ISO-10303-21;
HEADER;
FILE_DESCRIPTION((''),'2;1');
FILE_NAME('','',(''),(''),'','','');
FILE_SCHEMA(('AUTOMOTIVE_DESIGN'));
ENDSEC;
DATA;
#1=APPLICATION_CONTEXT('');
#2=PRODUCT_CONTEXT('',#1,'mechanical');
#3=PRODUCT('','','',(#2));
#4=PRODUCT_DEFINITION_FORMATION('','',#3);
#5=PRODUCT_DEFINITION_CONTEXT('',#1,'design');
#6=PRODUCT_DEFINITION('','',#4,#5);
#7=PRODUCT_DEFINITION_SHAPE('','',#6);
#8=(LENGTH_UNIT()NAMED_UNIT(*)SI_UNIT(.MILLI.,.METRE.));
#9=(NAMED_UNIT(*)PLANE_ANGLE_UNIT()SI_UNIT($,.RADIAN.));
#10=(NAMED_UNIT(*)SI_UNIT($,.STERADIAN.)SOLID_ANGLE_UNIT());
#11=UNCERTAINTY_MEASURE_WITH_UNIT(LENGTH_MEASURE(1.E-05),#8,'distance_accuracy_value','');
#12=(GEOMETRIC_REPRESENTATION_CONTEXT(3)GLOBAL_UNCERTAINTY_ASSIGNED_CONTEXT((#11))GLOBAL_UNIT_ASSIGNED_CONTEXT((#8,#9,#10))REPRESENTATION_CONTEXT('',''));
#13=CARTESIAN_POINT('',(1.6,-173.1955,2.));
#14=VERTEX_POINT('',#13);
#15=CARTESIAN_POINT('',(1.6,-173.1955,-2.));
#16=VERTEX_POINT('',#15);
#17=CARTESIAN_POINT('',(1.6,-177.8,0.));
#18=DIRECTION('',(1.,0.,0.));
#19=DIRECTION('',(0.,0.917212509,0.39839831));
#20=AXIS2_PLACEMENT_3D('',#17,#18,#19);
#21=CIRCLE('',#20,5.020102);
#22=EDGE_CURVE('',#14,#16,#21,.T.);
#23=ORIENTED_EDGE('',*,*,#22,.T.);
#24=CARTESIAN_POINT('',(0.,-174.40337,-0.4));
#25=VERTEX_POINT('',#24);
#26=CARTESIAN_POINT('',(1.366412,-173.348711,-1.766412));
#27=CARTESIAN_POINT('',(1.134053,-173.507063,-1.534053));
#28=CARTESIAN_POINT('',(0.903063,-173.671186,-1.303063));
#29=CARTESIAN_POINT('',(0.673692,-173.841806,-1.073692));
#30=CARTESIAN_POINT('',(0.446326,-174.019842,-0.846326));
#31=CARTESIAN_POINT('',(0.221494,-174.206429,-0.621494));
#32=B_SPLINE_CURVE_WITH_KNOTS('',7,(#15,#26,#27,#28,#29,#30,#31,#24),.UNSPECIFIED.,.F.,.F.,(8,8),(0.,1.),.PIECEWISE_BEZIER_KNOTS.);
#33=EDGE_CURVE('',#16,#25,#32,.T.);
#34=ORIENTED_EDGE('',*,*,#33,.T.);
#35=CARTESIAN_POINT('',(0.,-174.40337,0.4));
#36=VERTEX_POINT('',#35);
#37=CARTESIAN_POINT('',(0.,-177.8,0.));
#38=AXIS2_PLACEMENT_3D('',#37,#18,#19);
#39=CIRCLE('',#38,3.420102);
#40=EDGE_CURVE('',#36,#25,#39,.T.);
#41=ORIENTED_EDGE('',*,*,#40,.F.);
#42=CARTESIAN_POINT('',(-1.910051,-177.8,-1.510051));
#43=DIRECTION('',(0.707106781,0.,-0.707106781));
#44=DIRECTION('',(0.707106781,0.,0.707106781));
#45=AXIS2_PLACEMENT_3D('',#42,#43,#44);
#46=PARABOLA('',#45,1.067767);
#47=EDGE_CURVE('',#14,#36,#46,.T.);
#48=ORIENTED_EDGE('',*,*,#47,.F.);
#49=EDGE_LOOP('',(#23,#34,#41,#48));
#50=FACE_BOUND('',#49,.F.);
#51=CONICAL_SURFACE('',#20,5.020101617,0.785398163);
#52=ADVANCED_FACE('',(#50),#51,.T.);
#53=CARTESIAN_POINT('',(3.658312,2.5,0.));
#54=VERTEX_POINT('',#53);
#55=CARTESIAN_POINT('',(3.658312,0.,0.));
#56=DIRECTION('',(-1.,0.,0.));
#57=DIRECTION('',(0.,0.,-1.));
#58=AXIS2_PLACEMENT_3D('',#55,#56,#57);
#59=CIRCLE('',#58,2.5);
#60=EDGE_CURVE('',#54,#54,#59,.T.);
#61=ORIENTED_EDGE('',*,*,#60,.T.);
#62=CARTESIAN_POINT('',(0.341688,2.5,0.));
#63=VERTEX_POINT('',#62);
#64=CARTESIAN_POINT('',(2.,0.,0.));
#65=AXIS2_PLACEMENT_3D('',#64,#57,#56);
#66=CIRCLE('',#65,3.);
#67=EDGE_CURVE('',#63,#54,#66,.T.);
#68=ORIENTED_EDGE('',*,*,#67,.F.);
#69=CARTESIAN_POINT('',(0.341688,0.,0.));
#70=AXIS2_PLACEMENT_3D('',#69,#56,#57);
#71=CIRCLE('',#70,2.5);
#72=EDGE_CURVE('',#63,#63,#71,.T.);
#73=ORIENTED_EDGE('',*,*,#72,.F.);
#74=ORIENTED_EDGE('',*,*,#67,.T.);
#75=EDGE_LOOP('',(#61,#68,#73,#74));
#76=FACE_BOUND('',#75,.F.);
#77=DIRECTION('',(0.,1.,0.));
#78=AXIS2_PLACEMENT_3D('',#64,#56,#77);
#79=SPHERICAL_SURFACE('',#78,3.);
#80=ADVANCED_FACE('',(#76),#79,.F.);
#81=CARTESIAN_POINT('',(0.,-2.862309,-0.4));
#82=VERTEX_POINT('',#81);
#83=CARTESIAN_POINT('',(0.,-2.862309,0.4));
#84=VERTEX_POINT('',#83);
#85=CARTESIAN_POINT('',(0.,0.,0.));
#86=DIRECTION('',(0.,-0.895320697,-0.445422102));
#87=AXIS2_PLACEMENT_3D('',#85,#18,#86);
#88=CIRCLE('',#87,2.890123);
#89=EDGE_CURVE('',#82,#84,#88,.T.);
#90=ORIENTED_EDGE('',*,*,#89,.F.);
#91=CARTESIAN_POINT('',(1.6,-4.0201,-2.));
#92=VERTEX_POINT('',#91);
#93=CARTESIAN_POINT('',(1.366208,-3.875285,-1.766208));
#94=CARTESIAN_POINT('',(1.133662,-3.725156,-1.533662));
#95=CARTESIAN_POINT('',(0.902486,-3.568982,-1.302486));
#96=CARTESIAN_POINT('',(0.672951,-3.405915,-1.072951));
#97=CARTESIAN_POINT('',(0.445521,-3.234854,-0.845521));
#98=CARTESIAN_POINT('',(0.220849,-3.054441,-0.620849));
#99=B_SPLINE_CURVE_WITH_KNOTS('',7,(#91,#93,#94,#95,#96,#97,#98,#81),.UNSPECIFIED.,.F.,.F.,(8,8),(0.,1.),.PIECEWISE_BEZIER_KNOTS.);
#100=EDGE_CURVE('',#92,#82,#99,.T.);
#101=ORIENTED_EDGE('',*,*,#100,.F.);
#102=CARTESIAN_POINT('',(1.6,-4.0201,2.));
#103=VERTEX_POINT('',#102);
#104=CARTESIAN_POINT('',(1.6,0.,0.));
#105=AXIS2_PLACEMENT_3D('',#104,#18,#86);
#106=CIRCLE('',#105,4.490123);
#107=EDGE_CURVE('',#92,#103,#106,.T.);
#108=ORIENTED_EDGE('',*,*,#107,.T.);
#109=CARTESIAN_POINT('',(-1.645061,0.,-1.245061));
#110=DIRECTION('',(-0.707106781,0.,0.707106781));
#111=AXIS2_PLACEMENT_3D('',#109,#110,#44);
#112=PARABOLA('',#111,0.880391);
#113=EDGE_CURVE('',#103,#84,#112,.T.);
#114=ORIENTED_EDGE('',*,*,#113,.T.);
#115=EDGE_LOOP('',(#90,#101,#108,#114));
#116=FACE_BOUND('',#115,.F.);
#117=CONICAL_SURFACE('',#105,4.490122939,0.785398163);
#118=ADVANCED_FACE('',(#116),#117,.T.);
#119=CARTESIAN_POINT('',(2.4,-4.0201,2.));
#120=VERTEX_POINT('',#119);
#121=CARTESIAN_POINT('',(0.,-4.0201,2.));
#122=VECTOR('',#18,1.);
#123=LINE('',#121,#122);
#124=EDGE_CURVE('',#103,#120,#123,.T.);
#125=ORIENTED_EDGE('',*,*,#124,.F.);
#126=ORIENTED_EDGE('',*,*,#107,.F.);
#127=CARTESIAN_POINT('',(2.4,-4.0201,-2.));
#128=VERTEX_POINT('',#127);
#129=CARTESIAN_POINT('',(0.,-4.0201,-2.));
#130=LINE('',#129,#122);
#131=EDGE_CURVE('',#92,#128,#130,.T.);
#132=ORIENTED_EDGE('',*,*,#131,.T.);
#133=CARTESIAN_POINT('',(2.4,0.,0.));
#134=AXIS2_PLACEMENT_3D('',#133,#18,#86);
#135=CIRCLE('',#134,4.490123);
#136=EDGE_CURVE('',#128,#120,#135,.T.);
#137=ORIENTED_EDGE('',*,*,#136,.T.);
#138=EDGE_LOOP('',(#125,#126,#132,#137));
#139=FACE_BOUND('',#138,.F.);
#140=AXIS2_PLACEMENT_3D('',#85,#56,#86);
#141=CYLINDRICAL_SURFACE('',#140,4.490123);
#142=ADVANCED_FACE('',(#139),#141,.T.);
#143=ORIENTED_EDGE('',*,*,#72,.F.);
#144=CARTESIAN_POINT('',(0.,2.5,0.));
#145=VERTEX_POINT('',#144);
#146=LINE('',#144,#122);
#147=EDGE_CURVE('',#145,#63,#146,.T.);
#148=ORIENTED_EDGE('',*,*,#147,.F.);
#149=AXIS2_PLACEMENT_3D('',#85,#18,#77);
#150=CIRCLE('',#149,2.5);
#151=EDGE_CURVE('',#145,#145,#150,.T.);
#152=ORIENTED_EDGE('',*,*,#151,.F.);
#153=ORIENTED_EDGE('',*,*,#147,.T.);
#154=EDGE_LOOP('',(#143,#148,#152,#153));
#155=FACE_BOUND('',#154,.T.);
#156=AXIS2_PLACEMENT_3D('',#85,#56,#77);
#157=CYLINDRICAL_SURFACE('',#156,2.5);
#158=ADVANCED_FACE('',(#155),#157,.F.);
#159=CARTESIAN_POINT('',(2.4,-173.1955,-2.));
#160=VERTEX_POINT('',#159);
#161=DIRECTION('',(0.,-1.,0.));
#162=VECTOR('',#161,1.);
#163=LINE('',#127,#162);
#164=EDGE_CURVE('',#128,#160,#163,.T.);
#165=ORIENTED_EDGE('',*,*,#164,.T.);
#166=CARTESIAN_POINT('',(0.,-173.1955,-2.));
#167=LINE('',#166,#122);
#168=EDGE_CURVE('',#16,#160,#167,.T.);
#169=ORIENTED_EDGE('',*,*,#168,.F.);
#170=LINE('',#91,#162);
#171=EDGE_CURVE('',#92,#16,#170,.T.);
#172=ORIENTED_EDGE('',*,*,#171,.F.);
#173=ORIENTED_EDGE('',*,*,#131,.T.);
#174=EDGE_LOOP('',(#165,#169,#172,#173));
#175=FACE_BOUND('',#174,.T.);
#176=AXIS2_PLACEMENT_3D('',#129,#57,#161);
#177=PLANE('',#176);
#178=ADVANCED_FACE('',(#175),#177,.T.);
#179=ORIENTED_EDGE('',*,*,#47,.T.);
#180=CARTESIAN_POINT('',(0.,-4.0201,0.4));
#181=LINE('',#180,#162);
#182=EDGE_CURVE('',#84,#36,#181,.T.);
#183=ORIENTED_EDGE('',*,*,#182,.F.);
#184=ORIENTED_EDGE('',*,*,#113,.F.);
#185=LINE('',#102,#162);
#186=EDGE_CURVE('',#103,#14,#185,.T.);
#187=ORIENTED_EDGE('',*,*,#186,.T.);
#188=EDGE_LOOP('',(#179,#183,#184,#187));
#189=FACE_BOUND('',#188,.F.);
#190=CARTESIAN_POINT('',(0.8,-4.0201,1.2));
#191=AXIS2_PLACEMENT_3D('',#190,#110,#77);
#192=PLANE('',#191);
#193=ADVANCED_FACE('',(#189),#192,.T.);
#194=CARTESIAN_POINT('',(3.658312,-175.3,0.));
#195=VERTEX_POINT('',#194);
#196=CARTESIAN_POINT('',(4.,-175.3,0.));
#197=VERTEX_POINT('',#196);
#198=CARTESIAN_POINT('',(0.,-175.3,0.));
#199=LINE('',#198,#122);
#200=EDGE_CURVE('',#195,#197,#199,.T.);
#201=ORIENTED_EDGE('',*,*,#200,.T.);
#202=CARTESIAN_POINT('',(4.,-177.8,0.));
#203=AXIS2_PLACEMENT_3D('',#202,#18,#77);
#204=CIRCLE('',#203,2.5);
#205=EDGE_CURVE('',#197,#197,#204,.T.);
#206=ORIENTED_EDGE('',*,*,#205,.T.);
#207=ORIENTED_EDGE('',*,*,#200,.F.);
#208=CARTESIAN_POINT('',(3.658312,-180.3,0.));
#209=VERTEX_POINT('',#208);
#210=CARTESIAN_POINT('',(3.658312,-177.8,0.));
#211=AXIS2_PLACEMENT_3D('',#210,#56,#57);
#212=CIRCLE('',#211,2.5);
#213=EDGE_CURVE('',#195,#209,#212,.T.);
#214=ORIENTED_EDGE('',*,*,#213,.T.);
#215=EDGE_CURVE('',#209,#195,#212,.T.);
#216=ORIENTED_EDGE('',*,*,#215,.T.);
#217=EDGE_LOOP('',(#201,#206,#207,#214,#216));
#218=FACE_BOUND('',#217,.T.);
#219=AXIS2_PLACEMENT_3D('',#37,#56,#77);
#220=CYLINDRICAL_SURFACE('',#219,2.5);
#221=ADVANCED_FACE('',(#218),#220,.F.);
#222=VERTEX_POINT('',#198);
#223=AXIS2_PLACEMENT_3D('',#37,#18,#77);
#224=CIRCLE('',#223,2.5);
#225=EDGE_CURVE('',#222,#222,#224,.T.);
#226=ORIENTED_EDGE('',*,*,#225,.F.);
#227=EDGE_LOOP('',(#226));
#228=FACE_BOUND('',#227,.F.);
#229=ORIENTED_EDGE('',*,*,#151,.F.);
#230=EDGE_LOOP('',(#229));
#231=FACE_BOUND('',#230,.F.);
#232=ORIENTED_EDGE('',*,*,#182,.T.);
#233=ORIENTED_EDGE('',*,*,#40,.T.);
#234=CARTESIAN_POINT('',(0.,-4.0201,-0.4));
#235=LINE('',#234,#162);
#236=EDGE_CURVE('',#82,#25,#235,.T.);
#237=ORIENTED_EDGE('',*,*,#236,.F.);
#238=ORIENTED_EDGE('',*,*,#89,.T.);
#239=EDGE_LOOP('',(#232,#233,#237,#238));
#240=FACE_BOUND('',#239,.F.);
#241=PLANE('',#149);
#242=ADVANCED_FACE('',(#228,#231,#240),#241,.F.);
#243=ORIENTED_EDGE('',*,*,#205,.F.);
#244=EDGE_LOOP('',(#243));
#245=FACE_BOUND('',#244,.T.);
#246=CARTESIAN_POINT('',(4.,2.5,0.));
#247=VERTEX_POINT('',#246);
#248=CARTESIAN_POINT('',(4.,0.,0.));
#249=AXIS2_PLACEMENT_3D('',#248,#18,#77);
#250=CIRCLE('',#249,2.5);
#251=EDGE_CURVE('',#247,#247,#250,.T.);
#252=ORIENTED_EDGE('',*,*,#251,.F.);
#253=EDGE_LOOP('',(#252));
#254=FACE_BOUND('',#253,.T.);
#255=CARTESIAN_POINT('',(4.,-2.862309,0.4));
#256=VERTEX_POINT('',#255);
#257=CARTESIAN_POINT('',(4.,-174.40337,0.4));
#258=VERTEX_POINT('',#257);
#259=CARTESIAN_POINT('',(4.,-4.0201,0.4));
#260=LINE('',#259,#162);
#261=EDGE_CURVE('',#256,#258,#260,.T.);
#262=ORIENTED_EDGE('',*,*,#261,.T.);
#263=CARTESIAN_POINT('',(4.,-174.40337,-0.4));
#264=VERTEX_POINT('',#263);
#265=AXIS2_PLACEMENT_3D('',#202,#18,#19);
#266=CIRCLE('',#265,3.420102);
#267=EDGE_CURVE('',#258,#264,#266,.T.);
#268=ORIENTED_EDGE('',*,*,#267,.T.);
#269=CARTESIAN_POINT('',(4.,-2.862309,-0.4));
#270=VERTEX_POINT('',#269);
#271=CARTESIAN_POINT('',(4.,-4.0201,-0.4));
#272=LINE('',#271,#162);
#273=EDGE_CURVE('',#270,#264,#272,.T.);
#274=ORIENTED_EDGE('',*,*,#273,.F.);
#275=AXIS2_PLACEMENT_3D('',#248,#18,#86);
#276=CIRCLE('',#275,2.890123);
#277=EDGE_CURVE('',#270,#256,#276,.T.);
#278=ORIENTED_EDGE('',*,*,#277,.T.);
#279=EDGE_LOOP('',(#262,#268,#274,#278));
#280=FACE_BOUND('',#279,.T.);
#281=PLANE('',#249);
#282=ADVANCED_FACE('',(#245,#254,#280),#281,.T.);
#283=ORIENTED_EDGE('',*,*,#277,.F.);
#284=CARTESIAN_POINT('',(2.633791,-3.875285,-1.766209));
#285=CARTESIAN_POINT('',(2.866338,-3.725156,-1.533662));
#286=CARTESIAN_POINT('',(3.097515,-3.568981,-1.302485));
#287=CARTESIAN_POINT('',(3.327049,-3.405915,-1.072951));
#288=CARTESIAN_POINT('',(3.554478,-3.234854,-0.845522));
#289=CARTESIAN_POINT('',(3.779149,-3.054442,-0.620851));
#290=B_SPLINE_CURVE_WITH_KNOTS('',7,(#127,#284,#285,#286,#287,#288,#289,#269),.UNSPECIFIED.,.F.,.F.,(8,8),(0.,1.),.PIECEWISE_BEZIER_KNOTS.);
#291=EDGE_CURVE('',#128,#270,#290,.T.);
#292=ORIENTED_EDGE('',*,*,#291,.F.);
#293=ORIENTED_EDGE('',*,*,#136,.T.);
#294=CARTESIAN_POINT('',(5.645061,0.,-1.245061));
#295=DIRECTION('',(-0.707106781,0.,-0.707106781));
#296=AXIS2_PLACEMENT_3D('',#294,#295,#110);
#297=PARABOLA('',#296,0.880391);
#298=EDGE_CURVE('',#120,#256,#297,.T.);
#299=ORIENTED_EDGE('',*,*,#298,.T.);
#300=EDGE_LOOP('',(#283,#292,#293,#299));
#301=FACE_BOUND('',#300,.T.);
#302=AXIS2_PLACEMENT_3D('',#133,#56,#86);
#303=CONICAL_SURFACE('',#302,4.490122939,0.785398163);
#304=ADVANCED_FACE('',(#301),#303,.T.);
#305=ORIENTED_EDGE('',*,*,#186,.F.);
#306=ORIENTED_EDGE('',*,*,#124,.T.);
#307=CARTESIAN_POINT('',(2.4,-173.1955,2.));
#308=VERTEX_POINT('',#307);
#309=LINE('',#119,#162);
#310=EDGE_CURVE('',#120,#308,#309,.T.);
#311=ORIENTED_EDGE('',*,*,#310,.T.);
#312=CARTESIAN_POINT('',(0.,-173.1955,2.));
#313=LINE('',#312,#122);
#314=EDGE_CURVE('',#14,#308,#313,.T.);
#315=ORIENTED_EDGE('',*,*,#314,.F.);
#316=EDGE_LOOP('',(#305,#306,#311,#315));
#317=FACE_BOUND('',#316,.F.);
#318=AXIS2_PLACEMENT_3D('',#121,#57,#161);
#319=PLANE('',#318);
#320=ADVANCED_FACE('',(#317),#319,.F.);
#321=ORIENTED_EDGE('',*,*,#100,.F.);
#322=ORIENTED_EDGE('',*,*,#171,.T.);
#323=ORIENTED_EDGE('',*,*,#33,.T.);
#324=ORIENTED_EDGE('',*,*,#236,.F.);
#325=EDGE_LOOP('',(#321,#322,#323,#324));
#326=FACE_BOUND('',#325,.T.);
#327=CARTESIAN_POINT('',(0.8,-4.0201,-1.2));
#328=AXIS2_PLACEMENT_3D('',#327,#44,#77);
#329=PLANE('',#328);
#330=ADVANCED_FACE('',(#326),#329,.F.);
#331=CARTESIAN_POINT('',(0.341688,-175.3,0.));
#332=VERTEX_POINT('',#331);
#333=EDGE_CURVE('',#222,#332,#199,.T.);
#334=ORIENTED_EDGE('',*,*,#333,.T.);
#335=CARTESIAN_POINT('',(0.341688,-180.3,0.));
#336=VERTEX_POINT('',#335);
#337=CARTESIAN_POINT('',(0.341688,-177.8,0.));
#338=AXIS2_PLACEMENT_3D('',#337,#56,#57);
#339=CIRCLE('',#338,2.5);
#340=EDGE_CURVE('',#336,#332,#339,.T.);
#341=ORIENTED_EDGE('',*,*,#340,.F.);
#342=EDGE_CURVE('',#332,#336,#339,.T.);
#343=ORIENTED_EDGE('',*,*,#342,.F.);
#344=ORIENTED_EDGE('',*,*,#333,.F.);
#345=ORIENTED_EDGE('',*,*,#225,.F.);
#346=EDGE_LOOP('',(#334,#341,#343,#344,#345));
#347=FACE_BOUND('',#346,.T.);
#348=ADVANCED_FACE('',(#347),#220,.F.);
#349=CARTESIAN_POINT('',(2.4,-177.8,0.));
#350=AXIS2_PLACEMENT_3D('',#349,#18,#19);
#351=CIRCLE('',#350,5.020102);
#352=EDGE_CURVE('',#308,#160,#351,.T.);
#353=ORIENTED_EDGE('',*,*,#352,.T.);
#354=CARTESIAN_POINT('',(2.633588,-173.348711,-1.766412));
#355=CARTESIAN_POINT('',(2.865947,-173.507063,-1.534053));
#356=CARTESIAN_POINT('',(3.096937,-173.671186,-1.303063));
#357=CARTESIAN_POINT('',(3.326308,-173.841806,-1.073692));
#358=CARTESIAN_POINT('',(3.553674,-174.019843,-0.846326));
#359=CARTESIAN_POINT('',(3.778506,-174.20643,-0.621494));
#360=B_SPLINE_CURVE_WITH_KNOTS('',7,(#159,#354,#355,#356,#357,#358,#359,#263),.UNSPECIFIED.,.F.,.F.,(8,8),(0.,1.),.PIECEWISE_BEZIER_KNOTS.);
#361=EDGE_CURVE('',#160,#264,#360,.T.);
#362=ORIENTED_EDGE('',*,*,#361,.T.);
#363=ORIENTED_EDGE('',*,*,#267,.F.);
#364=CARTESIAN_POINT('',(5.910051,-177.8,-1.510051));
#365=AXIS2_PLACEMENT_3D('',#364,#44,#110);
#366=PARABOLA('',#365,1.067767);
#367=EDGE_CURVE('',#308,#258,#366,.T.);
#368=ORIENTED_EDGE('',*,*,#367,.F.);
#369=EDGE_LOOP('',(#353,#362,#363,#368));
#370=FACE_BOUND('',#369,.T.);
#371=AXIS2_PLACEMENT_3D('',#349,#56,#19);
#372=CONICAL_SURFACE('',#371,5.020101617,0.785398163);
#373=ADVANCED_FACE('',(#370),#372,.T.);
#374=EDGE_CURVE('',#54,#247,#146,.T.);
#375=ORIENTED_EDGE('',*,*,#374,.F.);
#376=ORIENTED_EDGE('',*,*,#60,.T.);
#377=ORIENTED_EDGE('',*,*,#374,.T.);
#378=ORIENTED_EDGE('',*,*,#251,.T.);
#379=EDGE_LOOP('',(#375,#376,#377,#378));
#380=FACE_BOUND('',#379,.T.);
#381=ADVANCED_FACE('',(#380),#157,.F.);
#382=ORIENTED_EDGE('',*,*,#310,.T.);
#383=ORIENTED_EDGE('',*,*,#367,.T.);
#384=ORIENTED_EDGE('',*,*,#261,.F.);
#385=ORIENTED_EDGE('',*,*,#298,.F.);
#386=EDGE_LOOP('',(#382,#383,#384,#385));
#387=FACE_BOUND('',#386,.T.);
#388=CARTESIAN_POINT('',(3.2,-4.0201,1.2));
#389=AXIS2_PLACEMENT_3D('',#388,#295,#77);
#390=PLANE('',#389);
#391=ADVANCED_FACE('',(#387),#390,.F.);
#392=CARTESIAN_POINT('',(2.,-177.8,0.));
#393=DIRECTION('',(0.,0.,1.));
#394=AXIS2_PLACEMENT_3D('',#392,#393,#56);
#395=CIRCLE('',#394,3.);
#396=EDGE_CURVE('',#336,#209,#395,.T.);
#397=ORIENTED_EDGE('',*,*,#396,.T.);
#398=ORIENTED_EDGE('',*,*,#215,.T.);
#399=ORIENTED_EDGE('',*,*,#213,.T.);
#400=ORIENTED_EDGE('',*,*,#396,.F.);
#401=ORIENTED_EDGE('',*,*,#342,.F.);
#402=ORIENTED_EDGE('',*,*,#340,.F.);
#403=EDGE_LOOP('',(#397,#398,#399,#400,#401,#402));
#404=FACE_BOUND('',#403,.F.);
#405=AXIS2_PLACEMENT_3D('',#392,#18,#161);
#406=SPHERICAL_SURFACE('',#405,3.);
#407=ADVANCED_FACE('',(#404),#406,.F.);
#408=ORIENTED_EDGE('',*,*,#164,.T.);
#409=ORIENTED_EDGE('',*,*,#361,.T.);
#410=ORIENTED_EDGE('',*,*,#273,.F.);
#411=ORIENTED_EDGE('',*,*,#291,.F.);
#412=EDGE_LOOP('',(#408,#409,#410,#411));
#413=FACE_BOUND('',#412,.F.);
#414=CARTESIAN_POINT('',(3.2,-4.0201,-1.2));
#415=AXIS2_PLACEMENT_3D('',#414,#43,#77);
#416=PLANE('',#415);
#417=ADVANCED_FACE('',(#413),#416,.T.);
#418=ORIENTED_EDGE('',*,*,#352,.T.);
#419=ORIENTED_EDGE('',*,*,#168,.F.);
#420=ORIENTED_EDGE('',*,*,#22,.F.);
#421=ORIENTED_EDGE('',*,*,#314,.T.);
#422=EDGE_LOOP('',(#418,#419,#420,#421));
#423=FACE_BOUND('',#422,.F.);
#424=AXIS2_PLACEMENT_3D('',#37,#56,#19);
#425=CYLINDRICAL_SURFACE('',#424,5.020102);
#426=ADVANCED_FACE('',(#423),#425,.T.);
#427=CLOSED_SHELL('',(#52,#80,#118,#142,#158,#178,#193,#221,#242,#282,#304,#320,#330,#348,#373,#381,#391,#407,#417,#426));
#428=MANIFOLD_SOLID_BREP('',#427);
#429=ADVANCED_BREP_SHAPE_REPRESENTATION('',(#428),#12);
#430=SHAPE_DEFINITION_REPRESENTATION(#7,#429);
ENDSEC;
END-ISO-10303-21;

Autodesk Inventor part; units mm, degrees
ref_plane "YZ Plane" through (0, 0, 0) normal (1, 0, 0) x (0, 1, 0)
ref_plane "XZ Plane" through (0, 0, 0) normal (0, 1, 0) x (-1, 0, 0)
ref_plane "XY Plane" through (0, 0, 0) normal (0, 0, 1) x (1, 0, 0)
sketch "Sketch1" plane through (0, 0, 0) normal (1, 0, 0) x (0, 1, 0)
  circle A0 centre (0, 0) radius 2.5
  arc A1 (-4.0201, -2) -> (-4.0201, 2) centre (0, 0) ccw
  line L0 (0, 0) -> (-177.8, 0) construction
  circle A2 centre (-177.8, 0) radius 2.5
  arc A3 (-173.1955, 2) -> (-173.1955, -2) centre (-177.8, 0) ccw
  line L1 (-4.0201, 2) -> (-173.1955, 2)
  line L2 (-4.0201, -2) -> (-173.1955, -2)
  dimension "d0" = 5
  dimension "d1" = 1.9901
  dimension "d2" = 177.8
  dimension "d3" = 5
  dimension "d4" = 2.5201
  dimension "d9" = 4
  dimension "d10" = 2
extrude "Extrusion1" add sketch "Sketch1" along normal blind 4
chamfer "Chamfer1" distance 1.6 angle 45 8 edges at (4, -88.6078, 2) (0, -88.6078, 2) (0, -88.6078, -2) (4, -88.6078, -2) (0, 4.4901, 0) (4, 4.4901, 0) (0, -182.8201, 0) (4, -182.8201, 0)
sketch "Sketch2" plane through (0, 0, 0) normal (0, 0, 1) x (1, 0, 0)
  line L0 (4, 2.5) -> (4, -2.5) projected
  line L1 (0, 2.5) -> (0, -2.5) projected
  line L2 (4, -175.3) -> (4, -180.3) projected
  line L3 (0, -175.3) -> (0, -180.3) projected
  line L4 (4, 2.5) -> (4, -2.5) construction
  line L5 (4, 0) -> (0, 0)
  line L6 (0, 2.5) -> (0, -2.5) construction
  line L7 (0, -175.3) -> (0, -180.3) construction
  line L8 (0, -177.8) -> (4, -177.8) construction
  line L9 (4, -175.3) -> (4, -180.3) construction
  circle A0 centre (2, 0) radius 3
  circle A1 centre (2, -177.8) radius 3
  line L10 (-1, -177.8) -> (5, -177.8)
  line L11 (5, 0) -> (-1, 0)
  dimension "d14" = 6
  dimension "d15" = 6
revolve "Revolution1" cut sketch "Sketch2" angle 360 about axis through (-1, -177.8, 0) along (1, 0, 0) picked at (4.1409, -179.1351) picked at (2, -178.8) picked at (-0.1409, -179.1351) contours L10 A1 L2 | L2 A1 L3 L10 | L3 A1 L10
sketch "Sketch3" plane through (0, 0, 0) normal (0, 0, 1) x (1, 0, 0)
  line L0 (4, 2.5) -> (4, -2.5)
  line L1 (0, 2.5) -> (0, -2.5)
  line L2 (4, -175.3) -> (4, -180.3)
  line L3 (0, -175.3) -> (0, -180.3)
  line L4 (4, 2.5) -> (4, -2.5) construction
  line L5 (4, 0) -> (0, 0)
  line L6 (0, 2.5) -> (0, -2.5) construction
  line L7 (0, -175.3) -> (0, -180.3) construction
  line L8 (0, -177.8) -> (4, -177.8) construction
  line L9 (4, -175.3) -> (4, -180.3) construction
  circle A0 centre (2, 0) radius 3
  circle A1 centre (2, -177.8) radius 3
  line L10 (-1, -177.8) -> (5, -177.8)
  line L11 (5, 0) -> (-1, 0)
  dimension "d17" = 6
  dimension "d18" = 6
revolve "Revolution2" cut sketch "Sketch3" angle 360 about axis through (5, 0, 0) along (-1, 0, 0) picked at (4.1409, 1.3351) picked at (2, 1) picked at (-0.1409, 1.3351) contours A0 L11 L0 | L0 L5 L1 A0 | L1 L11 A0
properties part number "Delta Robot Arm Segment Two"
